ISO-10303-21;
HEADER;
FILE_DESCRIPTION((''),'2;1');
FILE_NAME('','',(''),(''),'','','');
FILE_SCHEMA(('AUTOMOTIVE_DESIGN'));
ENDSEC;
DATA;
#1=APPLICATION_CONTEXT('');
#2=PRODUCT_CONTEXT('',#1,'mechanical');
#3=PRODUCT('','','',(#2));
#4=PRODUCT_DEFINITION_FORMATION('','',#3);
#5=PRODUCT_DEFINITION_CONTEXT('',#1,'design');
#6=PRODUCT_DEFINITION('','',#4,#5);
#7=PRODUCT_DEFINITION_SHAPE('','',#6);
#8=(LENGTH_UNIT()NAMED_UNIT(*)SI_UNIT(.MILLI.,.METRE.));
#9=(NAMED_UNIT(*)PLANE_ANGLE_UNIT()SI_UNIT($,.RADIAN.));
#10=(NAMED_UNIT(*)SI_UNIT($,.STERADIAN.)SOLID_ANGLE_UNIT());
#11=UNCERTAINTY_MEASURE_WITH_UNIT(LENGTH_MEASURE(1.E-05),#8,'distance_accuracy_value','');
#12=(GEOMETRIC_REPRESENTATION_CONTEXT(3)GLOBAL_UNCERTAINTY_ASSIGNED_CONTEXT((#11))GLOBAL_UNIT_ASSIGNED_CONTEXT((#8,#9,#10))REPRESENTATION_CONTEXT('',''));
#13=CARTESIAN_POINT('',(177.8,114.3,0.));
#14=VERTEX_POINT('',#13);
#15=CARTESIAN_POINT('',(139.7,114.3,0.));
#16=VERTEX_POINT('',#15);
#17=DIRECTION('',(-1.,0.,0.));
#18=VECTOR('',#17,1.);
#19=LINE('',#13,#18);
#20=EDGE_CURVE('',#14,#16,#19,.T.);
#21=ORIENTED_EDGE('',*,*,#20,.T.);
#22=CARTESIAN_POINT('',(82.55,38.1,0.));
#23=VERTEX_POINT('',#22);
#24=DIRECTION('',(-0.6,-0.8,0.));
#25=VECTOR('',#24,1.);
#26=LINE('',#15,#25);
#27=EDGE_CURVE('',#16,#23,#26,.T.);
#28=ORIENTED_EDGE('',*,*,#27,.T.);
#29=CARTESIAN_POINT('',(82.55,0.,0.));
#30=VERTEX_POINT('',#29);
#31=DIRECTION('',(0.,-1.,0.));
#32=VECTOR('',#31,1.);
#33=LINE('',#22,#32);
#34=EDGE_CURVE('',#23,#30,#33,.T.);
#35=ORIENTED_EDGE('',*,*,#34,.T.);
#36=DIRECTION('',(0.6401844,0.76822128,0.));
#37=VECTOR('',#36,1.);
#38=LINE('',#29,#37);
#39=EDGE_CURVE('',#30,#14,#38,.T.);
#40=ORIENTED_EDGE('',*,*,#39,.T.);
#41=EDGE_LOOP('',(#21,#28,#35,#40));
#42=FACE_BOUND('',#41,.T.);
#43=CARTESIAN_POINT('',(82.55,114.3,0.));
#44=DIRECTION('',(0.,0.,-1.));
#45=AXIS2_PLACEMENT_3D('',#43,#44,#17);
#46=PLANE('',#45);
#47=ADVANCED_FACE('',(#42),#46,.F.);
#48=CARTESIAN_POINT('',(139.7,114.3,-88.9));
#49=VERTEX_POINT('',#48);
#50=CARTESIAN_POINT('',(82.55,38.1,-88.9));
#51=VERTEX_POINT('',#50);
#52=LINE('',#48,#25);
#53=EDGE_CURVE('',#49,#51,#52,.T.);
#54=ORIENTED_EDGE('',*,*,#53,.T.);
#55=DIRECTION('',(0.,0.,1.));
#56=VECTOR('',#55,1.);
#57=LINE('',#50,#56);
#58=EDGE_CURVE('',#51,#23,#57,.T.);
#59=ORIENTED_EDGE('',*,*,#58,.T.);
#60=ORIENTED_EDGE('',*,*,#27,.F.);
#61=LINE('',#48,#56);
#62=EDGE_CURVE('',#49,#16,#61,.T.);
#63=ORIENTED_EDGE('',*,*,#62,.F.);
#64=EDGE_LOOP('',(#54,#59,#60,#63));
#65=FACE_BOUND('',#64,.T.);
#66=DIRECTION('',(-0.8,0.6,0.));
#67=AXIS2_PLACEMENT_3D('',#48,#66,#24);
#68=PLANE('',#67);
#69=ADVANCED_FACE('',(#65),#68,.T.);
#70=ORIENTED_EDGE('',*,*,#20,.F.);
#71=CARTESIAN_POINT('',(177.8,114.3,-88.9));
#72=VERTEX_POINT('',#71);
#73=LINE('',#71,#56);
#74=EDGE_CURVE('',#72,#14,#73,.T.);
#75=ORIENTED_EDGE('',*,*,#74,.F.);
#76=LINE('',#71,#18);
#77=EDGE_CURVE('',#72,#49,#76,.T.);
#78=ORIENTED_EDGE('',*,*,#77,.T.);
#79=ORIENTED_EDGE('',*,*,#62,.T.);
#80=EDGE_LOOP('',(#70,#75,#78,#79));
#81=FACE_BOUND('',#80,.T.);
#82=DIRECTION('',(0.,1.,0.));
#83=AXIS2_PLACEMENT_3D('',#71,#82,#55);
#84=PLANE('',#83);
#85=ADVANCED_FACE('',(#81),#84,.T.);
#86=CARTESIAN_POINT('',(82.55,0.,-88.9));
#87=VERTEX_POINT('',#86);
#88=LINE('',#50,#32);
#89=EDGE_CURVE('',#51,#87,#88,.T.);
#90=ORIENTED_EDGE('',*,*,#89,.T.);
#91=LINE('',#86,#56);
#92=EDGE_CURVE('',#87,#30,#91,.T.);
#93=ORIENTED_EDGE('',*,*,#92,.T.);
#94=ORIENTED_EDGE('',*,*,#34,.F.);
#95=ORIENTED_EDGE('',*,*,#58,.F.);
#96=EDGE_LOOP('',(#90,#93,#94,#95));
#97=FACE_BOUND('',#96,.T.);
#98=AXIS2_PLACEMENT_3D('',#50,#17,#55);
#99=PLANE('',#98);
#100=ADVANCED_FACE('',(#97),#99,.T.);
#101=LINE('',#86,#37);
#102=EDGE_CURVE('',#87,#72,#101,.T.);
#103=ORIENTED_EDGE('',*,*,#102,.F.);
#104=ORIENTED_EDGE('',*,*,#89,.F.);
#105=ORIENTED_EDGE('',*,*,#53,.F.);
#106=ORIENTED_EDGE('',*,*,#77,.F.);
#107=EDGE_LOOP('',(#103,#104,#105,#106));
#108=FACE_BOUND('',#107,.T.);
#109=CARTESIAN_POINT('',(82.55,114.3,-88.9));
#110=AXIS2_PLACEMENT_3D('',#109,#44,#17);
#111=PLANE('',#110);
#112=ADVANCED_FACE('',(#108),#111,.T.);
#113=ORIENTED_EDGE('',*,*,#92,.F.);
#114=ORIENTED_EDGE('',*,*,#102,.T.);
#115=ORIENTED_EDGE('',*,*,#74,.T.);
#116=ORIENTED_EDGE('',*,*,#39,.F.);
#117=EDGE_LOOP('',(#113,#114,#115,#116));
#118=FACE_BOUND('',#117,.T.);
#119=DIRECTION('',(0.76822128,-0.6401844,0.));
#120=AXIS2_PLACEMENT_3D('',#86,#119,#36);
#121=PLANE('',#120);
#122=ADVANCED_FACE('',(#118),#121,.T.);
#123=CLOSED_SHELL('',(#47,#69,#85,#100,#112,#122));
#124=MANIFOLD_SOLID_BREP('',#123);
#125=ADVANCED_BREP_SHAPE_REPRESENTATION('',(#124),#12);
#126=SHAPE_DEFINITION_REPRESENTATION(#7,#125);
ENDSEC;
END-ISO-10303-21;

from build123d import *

# Parameters (mm, degrees)
BOSS_EXTRUDE1_DEPTH = 88.9


with BuildPart() as part:
    # Sketch1 → Boss-Extrude1 (new body)
    with BuildSketch(Plane.XY):
        Polygon((82.55, 0), (177.8, 114.3), (139.7, 114.3), (82.55, 38.1), align=None)
    extrude(amount=-BOSS_EXTRUDE1_DEPTH)


solid = part.part
